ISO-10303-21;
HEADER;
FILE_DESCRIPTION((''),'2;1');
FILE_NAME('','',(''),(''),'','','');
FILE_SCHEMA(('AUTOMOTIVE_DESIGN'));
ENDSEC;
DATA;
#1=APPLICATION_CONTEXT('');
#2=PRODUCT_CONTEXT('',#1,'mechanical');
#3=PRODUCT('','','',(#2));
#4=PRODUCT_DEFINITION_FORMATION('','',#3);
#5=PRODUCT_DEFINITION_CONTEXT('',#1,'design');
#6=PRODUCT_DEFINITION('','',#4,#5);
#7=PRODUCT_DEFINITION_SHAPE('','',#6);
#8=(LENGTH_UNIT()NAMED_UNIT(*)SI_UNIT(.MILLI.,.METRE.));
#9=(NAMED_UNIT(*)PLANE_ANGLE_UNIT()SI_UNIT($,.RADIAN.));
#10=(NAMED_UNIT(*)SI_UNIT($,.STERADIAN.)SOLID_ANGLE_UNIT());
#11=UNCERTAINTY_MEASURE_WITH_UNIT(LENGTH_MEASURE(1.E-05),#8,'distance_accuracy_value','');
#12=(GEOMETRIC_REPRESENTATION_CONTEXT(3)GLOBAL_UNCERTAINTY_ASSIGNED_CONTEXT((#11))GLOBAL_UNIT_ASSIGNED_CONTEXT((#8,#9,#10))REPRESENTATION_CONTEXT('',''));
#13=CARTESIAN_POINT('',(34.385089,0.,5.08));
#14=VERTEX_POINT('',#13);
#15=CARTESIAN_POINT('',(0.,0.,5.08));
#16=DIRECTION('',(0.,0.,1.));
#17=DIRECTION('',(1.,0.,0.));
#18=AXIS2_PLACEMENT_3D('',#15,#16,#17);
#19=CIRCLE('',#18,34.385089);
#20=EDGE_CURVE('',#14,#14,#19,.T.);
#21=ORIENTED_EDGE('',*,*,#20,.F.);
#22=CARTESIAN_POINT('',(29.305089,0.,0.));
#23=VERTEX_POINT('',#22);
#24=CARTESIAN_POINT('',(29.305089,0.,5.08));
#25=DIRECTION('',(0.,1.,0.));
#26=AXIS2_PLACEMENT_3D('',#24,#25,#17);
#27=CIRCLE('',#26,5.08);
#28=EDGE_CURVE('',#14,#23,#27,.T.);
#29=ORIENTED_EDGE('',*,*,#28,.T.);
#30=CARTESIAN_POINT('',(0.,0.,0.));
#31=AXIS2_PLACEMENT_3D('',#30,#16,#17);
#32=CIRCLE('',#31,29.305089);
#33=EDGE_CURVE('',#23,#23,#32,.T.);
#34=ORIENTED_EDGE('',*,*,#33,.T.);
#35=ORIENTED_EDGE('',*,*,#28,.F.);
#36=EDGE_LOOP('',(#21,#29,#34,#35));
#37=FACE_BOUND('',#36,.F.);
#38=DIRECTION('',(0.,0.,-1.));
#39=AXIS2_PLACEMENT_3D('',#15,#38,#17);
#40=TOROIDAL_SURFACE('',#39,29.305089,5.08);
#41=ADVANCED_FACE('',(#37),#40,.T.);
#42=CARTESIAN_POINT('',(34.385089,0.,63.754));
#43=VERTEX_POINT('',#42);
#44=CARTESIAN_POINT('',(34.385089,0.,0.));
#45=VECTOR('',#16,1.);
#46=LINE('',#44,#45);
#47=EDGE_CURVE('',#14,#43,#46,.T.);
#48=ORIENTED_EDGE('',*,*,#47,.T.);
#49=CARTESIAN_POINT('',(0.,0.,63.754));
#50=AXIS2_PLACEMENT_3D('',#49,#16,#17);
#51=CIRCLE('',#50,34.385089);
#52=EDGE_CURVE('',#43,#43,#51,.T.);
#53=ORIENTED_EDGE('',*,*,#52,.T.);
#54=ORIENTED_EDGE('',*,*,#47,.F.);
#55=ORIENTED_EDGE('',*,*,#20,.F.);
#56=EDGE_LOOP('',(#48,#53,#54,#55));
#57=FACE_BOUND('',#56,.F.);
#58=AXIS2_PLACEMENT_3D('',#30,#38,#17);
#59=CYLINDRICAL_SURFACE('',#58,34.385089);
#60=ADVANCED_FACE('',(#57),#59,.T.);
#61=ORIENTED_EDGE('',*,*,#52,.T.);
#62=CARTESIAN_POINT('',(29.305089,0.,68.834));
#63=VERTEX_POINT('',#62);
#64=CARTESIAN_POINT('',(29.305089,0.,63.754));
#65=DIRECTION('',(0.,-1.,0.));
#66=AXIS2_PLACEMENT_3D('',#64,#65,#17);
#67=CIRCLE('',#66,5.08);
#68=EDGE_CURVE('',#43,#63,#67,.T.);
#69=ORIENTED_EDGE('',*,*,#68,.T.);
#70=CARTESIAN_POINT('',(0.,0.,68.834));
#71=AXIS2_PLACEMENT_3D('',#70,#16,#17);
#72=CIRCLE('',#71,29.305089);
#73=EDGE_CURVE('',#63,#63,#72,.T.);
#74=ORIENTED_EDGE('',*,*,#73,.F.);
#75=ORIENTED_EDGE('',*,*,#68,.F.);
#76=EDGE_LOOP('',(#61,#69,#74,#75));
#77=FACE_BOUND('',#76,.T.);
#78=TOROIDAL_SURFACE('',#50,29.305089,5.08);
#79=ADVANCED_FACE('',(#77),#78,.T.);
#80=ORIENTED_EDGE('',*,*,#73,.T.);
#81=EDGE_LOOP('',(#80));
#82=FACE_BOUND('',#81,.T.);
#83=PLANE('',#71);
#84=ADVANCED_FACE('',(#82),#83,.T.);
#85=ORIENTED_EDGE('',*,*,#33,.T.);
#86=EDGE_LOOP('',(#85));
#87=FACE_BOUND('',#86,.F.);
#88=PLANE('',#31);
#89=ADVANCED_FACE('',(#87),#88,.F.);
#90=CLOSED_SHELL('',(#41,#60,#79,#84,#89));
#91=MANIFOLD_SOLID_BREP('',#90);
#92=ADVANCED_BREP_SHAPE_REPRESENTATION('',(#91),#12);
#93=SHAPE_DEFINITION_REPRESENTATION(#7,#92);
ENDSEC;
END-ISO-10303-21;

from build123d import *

# Parameters (mm, degrees)
F0_R     = 34.385089
F1_DEPTH = 68.834
F2_R     = 5.08
F3_R     = 5.08


with BuildPart() as f1:
    # F0 (on Top) → F1 (new body)
    with BuildSketch(Plane.XY):
        Circle(F0_R)
    extrude(amount=F1_DEPTH)

    # F2
    f2_edges = [f1.edges().sort_by_distance(p)[0] for p in [
        (-34.385089, 0, 68.834),
    ]]
    fillet(f2_edges, radius=F2_R)

    # F3
    f3_edges = [f1.edges().sort_by_distance(p)[0] for p in [
        (34.385089, 0, 31.877),
        (-34.385089, 0, 63.754),
        (-34.385089, 0, 0),
    ]]
    fillet(f3_edges, radius=F3_R)


solid = f1.part
